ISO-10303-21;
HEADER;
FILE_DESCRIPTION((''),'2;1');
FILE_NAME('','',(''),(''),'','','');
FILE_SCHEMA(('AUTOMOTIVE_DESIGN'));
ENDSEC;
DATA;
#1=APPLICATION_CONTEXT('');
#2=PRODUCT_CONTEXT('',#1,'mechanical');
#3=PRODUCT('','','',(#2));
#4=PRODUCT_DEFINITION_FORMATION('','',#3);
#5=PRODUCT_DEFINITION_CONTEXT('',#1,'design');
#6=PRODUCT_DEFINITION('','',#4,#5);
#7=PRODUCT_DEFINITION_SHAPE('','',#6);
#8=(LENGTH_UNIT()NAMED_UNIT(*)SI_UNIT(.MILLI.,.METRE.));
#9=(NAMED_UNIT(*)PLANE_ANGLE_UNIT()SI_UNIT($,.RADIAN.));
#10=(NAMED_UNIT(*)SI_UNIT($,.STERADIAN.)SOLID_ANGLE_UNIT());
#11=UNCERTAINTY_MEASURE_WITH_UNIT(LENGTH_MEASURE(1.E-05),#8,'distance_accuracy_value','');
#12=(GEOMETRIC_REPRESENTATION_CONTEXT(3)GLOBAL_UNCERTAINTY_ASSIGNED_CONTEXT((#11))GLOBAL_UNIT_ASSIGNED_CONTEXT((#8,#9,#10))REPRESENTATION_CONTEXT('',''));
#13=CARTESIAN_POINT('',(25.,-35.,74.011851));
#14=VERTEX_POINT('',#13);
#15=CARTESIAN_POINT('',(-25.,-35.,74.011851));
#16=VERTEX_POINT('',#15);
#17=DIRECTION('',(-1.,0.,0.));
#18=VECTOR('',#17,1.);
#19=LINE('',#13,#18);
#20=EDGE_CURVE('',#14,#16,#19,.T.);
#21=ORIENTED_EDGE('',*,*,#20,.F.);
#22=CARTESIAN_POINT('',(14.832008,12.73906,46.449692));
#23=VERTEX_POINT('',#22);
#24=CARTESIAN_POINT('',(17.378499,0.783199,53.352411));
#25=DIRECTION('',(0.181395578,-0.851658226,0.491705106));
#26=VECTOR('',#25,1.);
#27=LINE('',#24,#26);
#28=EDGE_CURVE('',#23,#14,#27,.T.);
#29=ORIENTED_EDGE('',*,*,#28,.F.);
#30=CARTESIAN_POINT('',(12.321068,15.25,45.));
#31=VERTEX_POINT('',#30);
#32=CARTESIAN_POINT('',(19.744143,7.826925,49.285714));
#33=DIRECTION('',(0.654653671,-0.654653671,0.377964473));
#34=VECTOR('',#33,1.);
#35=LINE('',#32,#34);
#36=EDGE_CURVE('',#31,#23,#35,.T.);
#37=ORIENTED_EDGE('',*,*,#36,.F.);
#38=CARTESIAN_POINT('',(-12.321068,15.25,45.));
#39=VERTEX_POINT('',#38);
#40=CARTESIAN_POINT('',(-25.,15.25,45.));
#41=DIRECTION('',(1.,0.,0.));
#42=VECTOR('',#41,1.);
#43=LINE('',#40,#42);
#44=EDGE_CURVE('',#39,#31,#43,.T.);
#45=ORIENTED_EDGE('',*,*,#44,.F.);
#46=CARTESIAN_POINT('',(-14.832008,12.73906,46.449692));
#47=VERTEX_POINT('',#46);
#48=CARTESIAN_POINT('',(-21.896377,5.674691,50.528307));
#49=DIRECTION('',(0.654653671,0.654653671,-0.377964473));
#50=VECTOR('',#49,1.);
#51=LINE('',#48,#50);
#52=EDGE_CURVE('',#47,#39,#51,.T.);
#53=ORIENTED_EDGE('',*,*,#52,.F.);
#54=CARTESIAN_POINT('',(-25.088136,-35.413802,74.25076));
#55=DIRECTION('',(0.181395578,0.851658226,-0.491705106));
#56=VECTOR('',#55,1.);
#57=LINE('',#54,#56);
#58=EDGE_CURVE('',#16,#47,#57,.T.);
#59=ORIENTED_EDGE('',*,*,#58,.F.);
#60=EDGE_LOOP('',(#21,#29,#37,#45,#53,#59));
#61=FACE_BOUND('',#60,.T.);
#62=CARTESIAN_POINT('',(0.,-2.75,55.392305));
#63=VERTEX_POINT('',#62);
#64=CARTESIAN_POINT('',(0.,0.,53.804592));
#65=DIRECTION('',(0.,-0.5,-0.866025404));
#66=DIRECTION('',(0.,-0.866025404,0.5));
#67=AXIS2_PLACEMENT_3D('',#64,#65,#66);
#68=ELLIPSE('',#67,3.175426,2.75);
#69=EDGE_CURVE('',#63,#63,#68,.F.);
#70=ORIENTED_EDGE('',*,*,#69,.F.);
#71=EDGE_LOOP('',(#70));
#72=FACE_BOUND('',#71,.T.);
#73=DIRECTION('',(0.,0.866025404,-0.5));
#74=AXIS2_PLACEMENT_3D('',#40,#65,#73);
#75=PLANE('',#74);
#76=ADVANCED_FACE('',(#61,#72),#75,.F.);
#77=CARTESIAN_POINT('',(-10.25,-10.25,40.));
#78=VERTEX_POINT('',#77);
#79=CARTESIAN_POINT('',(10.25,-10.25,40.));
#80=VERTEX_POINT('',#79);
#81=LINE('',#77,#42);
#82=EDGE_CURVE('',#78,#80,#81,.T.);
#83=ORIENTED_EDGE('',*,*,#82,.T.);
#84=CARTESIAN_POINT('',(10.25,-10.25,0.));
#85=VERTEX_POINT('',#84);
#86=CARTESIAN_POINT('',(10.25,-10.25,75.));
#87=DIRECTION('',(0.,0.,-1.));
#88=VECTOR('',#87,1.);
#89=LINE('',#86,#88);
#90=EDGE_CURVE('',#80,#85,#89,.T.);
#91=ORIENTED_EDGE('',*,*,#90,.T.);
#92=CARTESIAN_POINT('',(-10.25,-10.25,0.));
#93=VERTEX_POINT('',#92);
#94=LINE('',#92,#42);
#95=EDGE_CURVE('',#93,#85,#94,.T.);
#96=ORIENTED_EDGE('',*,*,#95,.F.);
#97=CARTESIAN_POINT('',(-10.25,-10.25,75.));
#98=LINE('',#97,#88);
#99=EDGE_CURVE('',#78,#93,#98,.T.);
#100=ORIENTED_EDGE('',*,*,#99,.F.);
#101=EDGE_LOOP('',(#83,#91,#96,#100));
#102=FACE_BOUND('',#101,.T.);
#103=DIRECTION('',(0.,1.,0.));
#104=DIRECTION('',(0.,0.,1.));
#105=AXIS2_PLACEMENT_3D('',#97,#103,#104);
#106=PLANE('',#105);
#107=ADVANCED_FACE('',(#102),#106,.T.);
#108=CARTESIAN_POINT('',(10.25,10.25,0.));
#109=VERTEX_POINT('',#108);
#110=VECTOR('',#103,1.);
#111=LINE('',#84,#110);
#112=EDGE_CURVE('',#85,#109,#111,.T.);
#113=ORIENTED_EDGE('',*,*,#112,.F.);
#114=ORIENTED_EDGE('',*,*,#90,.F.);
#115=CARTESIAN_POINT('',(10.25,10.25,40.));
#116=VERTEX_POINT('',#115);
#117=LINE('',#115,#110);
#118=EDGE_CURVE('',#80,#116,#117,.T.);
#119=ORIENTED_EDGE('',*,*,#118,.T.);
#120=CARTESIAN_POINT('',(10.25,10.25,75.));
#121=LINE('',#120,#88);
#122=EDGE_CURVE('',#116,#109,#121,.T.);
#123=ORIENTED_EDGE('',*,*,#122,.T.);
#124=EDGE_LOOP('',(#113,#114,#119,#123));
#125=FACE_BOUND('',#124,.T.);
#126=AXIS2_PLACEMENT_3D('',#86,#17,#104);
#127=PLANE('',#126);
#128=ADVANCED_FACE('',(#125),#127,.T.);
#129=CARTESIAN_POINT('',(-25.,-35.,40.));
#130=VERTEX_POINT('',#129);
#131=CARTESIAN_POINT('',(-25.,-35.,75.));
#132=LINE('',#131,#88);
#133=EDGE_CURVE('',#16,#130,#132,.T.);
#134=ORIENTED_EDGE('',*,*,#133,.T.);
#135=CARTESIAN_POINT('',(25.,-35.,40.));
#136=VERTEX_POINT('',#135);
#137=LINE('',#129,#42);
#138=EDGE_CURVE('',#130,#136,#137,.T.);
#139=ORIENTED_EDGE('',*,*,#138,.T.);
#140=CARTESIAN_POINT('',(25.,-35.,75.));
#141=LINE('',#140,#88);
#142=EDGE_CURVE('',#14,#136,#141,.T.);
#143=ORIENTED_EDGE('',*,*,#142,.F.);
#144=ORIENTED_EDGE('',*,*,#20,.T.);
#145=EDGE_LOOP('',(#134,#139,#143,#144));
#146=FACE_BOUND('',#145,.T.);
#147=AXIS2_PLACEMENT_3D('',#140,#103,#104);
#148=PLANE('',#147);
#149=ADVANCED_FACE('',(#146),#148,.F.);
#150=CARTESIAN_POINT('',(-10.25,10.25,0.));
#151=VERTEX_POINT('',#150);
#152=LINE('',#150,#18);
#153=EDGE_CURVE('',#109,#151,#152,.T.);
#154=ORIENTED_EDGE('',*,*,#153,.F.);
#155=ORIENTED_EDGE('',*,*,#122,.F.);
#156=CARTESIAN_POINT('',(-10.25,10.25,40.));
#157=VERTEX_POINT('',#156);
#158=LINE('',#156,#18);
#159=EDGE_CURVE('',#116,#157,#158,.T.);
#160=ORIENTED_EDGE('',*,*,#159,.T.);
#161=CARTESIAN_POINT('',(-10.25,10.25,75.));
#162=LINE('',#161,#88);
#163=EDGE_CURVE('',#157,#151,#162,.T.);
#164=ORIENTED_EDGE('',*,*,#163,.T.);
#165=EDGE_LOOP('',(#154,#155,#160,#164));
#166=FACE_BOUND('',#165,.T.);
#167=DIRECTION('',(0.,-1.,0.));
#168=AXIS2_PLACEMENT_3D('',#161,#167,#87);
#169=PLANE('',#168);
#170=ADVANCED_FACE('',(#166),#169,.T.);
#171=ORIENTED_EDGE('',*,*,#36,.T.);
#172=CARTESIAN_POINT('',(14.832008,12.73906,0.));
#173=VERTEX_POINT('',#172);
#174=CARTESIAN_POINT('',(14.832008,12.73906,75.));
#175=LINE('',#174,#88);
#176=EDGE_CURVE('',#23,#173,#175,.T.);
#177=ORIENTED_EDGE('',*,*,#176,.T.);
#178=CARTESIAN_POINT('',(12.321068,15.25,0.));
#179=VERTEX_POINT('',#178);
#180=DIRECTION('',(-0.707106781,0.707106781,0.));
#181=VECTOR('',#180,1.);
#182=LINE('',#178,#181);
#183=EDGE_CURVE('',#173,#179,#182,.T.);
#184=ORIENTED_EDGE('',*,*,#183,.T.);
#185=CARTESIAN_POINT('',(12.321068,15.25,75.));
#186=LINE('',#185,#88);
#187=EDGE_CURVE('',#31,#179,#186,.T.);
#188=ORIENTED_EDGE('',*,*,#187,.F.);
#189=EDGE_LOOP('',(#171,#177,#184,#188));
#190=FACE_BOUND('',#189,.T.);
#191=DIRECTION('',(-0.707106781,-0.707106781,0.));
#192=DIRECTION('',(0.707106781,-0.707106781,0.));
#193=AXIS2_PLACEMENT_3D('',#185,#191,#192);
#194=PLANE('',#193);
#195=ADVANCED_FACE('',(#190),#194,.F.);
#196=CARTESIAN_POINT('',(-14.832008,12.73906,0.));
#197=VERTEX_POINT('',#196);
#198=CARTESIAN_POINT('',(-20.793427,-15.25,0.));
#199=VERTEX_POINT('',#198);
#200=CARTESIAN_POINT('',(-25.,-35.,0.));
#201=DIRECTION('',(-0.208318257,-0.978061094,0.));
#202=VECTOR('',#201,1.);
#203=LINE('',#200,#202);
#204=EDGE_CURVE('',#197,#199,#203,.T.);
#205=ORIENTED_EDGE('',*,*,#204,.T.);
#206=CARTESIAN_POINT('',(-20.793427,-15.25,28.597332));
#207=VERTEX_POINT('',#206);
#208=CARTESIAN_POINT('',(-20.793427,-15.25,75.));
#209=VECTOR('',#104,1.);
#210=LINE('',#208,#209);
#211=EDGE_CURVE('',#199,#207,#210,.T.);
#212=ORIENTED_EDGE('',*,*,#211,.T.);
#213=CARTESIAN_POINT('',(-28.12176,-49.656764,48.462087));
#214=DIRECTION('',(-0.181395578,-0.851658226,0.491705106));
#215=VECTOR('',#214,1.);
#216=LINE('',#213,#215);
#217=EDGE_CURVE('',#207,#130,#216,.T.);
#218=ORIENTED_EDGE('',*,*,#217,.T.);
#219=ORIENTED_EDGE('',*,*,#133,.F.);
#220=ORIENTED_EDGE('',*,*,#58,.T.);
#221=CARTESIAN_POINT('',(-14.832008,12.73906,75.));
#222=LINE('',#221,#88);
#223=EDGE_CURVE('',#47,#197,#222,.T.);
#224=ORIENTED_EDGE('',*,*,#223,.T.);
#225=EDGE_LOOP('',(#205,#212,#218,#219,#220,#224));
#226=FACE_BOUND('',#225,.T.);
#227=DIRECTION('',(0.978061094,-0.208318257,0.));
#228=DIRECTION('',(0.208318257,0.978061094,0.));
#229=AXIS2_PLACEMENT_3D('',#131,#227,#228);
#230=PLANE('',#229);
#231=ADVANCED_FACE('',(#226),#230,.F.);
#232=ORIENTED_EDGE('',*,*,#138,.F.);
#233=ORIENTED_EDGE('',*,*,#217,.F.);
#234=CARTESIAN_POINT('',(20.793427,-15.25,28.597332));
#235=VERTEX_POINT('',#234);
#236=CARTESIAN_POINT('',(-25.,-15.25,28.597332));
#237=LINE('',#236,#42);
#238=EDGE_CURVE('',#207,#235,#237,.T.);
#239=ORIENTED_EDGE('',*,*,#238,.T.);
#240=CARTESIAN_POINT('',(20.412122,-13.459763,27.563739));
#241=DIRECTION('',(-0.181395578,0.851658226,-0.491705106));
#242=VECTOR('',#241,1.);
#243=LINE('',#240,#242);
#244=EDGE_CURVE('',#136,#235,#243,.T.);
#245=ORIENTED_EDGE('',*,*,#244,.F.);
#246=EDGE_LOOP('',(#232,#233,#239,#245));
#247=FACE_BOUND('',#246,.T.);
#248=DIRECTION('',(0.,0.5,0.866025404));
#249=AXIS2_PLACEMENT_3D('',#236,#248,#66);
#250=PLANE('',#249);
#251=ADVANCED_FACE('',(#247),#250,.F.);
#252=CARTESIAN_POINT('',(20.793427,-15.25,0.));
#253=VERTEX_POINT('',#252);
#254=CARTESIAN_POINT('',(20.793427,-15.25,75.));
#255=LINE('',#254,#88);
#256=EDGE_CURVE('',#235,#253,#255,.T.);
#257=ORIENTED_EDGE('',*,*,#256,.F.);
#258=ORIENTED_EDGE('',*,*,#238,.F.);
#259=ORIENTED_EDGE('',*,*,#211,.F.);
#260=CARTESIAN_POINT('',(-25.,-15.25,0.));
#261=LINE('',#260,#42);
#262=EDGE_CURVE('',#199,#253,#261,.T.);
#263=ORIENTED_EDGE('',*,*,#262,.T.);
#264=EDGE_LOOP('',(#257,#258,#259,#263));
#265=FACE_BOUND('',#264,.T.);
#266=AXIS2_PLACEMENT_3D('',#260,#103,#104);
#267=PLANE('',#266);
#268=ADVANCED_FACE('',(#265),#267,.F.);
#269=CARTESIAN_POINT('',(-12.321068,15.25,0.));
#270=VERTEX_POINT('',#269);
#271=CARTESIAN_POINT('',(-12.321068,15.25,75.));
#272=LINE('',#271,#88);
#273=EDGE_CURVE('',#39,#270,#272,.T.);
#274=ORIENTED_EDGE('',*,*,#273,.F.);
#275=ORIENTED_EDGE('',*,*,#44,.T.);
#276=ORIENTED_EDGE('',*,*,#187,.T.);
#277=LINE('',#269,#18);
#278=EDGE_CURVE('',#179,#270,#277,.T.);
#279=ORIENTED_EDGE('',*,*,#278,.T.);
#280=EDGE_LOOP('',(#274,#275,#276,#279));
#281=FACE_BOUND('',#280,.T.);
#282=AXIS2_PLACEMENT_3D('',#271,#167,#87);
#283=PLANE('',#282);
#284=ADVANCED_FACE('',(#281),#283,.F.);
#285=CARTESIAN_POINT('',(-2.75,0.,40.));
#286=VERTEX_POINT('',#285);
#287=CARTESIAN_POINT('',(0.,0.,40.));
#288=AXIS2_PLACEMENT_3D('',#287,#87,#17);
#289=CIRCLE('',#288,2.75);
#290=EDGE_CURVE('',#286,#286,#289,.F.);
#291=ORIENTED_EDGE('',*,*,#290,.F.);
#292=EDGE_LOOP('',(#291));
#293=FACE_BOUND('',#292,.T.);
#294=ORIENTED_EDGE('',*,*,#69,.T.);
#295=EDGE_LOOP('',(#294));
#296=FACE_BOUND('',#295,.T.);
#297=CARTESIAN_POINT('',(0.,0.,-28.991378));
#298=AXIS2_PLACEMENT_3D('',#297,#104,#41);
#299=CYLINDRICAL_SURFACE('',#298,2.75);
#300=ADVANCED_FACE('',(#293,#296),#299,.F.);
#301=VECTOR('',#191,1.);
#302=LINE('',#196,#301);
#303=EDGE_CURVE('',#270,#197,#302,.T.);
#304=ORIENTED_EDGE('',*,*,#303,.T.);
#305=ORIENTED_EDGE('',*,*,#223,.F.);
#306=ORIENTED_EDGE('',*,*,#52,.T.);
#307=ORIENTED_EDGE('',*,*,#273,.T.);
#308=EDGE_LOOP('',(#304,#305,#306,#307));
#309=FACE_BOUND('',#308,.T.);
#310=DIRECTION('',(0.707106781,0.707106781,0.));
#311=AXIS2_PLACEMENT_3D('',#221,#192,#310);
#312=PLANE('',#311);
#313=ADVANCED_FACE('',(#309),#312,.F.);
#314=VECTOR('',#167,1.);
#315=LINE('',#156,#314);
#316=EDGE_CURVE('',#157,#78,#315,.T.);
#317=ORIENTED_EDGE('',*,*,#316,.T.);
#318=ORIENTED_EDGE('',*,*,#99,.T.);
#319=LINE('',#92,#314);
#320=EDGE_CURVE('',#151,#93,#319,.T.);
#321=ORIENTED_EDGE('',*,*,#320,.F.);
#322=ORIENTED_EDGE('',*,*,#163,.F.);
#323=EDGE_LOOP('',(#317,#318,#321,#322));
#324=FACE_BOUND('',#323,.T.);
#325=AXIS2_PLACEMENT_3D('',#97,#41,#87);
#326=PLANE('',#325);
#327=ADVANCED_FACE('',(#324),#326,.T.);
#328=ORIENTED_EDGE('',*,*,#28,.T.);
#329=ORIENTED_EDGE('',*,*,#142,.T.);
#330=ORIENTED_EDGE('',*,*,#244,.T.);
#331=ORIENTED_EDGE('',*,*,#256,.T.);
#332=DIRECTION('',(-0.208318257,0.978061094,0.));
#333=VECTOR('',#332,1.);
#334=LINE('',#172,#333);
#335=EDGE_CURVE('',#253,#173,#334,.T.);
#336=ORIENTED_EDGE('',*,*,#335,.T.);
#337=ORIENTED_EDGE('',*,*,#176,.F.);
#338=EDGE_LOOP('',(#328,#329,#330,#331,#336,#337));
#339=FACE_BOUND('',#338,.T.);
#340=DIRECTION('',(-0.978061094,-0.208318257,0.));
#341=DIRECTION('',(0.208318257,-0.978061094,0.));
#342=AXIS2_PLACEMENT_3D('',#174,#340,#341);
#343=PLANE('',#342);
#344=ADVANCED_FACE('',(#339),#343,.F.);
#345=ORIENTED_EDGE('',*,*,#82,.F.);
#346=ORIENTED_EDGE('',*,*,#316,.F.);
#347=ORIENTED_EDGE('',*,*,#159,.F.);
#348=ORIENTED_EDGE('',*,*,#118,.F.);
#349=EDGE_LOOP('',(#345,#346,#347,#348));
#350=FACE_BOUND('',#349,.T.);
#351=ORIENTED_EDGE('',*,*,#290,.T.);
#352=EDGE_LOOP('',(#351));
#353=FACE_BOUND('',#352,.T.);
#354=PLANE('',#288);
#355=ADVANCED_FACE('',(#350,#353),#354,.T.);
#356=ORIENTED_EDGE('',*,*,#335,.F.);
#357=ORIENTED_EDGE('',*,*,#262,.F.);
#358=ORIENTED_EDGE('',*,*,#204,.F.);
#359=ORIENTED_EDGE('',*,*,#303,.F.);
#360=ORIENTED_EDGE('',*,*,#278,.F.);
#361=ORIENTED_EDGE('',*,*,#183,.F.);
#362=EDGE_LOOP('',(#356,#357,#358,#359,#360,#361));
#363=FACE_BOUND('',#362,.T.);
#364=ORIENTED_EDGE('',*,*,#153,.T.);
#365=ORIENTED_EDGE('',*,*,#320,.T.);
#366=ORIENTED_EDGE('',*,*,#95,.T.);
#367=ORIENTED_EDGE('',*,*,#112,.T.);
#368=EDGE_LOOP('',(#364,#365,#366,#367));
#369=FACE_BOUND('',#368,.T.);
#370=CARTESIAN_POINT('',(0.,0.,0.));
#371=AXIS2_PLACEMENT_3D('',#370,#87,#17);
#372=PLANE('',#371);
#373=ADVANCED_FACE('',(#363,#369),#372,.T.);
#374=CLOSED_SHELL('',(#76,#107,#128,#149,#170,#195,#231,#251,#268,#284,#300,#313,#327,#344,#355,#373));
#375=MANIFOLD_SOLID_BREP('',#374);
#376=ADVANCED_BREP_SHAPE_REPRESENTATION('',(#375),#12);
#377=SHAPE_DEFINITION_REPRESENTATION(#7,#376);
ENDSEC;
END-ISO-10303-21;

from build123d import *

# Parameters (mm, degrees)
SKETCH1_W               = 20.5
SKETCH1_H               = 20.5
BOSS_EXTRUDE1_DEPTH     = 75
SKETCH2_W               = 20.5
SKETCH2_H               = 20.5
SKETCH2_R               = 2.75
BOSS_EXTRUDE2_DEPTH     = 35
CUT_EXTRUDE1_DEPTH      = 26
CUT_EXTRUDE1_DEPTH_BACK = 26


with BuildPart() as part:
    # Sketch1 → Boss-Extrude1 (new body)
    with BuildSketch(Plane.XY):
        Polygon((-25, -35), (-14.832007533, 12.739060279), (-12.321067812, 15.25), (12.321067812, 15.25), (14.832007533, 12.739060279), (25, -35), align=None)
        Rectangle(SKETCH1_W, SKETCH1_H, mode=Mode.SUBTRACT)
    extrude(amount=BOSS_EXTRUDE1_DEPTH)

    # Sketch2 → Boss-Extrude2 (add)
    with BuildSketch(Plane.XY.offset(75)):
        Rectangle(SKETCH2_W, SKETCH2_H)
        Circle(SKETCH2_R, mode=Mode.SUBTRACT)
    extrude(amount=-BOSS_EXTRUDE2_DEPTH)

    # Sketch3 → Cut-Extrude1 (cut, two sides)
    with BuildSketch(Plane(origin=(0, 0, 0), x_dir=(0, 0, -1), z_dir=(1, 0, 0))) as cut_extrude1_sk:
        Polygon((0, -15.25), (-28.597332184, -15.25), (-40, -35), (0, -35), align=None)
        Polygon((-45, 15.25), (-75, -36.711524227), (-75, 15.25), align=None)
    extrude(amount=CUT_EXTRUDE1_DEPTH, mode=Mode.SUBTRACT)
    extrude(cut_extrude1_sk.sketch, amount=-CUT_EXTRUDE1_DEPTH_BACK, mode=Mode.SUBTRACT)


solid = part.part
